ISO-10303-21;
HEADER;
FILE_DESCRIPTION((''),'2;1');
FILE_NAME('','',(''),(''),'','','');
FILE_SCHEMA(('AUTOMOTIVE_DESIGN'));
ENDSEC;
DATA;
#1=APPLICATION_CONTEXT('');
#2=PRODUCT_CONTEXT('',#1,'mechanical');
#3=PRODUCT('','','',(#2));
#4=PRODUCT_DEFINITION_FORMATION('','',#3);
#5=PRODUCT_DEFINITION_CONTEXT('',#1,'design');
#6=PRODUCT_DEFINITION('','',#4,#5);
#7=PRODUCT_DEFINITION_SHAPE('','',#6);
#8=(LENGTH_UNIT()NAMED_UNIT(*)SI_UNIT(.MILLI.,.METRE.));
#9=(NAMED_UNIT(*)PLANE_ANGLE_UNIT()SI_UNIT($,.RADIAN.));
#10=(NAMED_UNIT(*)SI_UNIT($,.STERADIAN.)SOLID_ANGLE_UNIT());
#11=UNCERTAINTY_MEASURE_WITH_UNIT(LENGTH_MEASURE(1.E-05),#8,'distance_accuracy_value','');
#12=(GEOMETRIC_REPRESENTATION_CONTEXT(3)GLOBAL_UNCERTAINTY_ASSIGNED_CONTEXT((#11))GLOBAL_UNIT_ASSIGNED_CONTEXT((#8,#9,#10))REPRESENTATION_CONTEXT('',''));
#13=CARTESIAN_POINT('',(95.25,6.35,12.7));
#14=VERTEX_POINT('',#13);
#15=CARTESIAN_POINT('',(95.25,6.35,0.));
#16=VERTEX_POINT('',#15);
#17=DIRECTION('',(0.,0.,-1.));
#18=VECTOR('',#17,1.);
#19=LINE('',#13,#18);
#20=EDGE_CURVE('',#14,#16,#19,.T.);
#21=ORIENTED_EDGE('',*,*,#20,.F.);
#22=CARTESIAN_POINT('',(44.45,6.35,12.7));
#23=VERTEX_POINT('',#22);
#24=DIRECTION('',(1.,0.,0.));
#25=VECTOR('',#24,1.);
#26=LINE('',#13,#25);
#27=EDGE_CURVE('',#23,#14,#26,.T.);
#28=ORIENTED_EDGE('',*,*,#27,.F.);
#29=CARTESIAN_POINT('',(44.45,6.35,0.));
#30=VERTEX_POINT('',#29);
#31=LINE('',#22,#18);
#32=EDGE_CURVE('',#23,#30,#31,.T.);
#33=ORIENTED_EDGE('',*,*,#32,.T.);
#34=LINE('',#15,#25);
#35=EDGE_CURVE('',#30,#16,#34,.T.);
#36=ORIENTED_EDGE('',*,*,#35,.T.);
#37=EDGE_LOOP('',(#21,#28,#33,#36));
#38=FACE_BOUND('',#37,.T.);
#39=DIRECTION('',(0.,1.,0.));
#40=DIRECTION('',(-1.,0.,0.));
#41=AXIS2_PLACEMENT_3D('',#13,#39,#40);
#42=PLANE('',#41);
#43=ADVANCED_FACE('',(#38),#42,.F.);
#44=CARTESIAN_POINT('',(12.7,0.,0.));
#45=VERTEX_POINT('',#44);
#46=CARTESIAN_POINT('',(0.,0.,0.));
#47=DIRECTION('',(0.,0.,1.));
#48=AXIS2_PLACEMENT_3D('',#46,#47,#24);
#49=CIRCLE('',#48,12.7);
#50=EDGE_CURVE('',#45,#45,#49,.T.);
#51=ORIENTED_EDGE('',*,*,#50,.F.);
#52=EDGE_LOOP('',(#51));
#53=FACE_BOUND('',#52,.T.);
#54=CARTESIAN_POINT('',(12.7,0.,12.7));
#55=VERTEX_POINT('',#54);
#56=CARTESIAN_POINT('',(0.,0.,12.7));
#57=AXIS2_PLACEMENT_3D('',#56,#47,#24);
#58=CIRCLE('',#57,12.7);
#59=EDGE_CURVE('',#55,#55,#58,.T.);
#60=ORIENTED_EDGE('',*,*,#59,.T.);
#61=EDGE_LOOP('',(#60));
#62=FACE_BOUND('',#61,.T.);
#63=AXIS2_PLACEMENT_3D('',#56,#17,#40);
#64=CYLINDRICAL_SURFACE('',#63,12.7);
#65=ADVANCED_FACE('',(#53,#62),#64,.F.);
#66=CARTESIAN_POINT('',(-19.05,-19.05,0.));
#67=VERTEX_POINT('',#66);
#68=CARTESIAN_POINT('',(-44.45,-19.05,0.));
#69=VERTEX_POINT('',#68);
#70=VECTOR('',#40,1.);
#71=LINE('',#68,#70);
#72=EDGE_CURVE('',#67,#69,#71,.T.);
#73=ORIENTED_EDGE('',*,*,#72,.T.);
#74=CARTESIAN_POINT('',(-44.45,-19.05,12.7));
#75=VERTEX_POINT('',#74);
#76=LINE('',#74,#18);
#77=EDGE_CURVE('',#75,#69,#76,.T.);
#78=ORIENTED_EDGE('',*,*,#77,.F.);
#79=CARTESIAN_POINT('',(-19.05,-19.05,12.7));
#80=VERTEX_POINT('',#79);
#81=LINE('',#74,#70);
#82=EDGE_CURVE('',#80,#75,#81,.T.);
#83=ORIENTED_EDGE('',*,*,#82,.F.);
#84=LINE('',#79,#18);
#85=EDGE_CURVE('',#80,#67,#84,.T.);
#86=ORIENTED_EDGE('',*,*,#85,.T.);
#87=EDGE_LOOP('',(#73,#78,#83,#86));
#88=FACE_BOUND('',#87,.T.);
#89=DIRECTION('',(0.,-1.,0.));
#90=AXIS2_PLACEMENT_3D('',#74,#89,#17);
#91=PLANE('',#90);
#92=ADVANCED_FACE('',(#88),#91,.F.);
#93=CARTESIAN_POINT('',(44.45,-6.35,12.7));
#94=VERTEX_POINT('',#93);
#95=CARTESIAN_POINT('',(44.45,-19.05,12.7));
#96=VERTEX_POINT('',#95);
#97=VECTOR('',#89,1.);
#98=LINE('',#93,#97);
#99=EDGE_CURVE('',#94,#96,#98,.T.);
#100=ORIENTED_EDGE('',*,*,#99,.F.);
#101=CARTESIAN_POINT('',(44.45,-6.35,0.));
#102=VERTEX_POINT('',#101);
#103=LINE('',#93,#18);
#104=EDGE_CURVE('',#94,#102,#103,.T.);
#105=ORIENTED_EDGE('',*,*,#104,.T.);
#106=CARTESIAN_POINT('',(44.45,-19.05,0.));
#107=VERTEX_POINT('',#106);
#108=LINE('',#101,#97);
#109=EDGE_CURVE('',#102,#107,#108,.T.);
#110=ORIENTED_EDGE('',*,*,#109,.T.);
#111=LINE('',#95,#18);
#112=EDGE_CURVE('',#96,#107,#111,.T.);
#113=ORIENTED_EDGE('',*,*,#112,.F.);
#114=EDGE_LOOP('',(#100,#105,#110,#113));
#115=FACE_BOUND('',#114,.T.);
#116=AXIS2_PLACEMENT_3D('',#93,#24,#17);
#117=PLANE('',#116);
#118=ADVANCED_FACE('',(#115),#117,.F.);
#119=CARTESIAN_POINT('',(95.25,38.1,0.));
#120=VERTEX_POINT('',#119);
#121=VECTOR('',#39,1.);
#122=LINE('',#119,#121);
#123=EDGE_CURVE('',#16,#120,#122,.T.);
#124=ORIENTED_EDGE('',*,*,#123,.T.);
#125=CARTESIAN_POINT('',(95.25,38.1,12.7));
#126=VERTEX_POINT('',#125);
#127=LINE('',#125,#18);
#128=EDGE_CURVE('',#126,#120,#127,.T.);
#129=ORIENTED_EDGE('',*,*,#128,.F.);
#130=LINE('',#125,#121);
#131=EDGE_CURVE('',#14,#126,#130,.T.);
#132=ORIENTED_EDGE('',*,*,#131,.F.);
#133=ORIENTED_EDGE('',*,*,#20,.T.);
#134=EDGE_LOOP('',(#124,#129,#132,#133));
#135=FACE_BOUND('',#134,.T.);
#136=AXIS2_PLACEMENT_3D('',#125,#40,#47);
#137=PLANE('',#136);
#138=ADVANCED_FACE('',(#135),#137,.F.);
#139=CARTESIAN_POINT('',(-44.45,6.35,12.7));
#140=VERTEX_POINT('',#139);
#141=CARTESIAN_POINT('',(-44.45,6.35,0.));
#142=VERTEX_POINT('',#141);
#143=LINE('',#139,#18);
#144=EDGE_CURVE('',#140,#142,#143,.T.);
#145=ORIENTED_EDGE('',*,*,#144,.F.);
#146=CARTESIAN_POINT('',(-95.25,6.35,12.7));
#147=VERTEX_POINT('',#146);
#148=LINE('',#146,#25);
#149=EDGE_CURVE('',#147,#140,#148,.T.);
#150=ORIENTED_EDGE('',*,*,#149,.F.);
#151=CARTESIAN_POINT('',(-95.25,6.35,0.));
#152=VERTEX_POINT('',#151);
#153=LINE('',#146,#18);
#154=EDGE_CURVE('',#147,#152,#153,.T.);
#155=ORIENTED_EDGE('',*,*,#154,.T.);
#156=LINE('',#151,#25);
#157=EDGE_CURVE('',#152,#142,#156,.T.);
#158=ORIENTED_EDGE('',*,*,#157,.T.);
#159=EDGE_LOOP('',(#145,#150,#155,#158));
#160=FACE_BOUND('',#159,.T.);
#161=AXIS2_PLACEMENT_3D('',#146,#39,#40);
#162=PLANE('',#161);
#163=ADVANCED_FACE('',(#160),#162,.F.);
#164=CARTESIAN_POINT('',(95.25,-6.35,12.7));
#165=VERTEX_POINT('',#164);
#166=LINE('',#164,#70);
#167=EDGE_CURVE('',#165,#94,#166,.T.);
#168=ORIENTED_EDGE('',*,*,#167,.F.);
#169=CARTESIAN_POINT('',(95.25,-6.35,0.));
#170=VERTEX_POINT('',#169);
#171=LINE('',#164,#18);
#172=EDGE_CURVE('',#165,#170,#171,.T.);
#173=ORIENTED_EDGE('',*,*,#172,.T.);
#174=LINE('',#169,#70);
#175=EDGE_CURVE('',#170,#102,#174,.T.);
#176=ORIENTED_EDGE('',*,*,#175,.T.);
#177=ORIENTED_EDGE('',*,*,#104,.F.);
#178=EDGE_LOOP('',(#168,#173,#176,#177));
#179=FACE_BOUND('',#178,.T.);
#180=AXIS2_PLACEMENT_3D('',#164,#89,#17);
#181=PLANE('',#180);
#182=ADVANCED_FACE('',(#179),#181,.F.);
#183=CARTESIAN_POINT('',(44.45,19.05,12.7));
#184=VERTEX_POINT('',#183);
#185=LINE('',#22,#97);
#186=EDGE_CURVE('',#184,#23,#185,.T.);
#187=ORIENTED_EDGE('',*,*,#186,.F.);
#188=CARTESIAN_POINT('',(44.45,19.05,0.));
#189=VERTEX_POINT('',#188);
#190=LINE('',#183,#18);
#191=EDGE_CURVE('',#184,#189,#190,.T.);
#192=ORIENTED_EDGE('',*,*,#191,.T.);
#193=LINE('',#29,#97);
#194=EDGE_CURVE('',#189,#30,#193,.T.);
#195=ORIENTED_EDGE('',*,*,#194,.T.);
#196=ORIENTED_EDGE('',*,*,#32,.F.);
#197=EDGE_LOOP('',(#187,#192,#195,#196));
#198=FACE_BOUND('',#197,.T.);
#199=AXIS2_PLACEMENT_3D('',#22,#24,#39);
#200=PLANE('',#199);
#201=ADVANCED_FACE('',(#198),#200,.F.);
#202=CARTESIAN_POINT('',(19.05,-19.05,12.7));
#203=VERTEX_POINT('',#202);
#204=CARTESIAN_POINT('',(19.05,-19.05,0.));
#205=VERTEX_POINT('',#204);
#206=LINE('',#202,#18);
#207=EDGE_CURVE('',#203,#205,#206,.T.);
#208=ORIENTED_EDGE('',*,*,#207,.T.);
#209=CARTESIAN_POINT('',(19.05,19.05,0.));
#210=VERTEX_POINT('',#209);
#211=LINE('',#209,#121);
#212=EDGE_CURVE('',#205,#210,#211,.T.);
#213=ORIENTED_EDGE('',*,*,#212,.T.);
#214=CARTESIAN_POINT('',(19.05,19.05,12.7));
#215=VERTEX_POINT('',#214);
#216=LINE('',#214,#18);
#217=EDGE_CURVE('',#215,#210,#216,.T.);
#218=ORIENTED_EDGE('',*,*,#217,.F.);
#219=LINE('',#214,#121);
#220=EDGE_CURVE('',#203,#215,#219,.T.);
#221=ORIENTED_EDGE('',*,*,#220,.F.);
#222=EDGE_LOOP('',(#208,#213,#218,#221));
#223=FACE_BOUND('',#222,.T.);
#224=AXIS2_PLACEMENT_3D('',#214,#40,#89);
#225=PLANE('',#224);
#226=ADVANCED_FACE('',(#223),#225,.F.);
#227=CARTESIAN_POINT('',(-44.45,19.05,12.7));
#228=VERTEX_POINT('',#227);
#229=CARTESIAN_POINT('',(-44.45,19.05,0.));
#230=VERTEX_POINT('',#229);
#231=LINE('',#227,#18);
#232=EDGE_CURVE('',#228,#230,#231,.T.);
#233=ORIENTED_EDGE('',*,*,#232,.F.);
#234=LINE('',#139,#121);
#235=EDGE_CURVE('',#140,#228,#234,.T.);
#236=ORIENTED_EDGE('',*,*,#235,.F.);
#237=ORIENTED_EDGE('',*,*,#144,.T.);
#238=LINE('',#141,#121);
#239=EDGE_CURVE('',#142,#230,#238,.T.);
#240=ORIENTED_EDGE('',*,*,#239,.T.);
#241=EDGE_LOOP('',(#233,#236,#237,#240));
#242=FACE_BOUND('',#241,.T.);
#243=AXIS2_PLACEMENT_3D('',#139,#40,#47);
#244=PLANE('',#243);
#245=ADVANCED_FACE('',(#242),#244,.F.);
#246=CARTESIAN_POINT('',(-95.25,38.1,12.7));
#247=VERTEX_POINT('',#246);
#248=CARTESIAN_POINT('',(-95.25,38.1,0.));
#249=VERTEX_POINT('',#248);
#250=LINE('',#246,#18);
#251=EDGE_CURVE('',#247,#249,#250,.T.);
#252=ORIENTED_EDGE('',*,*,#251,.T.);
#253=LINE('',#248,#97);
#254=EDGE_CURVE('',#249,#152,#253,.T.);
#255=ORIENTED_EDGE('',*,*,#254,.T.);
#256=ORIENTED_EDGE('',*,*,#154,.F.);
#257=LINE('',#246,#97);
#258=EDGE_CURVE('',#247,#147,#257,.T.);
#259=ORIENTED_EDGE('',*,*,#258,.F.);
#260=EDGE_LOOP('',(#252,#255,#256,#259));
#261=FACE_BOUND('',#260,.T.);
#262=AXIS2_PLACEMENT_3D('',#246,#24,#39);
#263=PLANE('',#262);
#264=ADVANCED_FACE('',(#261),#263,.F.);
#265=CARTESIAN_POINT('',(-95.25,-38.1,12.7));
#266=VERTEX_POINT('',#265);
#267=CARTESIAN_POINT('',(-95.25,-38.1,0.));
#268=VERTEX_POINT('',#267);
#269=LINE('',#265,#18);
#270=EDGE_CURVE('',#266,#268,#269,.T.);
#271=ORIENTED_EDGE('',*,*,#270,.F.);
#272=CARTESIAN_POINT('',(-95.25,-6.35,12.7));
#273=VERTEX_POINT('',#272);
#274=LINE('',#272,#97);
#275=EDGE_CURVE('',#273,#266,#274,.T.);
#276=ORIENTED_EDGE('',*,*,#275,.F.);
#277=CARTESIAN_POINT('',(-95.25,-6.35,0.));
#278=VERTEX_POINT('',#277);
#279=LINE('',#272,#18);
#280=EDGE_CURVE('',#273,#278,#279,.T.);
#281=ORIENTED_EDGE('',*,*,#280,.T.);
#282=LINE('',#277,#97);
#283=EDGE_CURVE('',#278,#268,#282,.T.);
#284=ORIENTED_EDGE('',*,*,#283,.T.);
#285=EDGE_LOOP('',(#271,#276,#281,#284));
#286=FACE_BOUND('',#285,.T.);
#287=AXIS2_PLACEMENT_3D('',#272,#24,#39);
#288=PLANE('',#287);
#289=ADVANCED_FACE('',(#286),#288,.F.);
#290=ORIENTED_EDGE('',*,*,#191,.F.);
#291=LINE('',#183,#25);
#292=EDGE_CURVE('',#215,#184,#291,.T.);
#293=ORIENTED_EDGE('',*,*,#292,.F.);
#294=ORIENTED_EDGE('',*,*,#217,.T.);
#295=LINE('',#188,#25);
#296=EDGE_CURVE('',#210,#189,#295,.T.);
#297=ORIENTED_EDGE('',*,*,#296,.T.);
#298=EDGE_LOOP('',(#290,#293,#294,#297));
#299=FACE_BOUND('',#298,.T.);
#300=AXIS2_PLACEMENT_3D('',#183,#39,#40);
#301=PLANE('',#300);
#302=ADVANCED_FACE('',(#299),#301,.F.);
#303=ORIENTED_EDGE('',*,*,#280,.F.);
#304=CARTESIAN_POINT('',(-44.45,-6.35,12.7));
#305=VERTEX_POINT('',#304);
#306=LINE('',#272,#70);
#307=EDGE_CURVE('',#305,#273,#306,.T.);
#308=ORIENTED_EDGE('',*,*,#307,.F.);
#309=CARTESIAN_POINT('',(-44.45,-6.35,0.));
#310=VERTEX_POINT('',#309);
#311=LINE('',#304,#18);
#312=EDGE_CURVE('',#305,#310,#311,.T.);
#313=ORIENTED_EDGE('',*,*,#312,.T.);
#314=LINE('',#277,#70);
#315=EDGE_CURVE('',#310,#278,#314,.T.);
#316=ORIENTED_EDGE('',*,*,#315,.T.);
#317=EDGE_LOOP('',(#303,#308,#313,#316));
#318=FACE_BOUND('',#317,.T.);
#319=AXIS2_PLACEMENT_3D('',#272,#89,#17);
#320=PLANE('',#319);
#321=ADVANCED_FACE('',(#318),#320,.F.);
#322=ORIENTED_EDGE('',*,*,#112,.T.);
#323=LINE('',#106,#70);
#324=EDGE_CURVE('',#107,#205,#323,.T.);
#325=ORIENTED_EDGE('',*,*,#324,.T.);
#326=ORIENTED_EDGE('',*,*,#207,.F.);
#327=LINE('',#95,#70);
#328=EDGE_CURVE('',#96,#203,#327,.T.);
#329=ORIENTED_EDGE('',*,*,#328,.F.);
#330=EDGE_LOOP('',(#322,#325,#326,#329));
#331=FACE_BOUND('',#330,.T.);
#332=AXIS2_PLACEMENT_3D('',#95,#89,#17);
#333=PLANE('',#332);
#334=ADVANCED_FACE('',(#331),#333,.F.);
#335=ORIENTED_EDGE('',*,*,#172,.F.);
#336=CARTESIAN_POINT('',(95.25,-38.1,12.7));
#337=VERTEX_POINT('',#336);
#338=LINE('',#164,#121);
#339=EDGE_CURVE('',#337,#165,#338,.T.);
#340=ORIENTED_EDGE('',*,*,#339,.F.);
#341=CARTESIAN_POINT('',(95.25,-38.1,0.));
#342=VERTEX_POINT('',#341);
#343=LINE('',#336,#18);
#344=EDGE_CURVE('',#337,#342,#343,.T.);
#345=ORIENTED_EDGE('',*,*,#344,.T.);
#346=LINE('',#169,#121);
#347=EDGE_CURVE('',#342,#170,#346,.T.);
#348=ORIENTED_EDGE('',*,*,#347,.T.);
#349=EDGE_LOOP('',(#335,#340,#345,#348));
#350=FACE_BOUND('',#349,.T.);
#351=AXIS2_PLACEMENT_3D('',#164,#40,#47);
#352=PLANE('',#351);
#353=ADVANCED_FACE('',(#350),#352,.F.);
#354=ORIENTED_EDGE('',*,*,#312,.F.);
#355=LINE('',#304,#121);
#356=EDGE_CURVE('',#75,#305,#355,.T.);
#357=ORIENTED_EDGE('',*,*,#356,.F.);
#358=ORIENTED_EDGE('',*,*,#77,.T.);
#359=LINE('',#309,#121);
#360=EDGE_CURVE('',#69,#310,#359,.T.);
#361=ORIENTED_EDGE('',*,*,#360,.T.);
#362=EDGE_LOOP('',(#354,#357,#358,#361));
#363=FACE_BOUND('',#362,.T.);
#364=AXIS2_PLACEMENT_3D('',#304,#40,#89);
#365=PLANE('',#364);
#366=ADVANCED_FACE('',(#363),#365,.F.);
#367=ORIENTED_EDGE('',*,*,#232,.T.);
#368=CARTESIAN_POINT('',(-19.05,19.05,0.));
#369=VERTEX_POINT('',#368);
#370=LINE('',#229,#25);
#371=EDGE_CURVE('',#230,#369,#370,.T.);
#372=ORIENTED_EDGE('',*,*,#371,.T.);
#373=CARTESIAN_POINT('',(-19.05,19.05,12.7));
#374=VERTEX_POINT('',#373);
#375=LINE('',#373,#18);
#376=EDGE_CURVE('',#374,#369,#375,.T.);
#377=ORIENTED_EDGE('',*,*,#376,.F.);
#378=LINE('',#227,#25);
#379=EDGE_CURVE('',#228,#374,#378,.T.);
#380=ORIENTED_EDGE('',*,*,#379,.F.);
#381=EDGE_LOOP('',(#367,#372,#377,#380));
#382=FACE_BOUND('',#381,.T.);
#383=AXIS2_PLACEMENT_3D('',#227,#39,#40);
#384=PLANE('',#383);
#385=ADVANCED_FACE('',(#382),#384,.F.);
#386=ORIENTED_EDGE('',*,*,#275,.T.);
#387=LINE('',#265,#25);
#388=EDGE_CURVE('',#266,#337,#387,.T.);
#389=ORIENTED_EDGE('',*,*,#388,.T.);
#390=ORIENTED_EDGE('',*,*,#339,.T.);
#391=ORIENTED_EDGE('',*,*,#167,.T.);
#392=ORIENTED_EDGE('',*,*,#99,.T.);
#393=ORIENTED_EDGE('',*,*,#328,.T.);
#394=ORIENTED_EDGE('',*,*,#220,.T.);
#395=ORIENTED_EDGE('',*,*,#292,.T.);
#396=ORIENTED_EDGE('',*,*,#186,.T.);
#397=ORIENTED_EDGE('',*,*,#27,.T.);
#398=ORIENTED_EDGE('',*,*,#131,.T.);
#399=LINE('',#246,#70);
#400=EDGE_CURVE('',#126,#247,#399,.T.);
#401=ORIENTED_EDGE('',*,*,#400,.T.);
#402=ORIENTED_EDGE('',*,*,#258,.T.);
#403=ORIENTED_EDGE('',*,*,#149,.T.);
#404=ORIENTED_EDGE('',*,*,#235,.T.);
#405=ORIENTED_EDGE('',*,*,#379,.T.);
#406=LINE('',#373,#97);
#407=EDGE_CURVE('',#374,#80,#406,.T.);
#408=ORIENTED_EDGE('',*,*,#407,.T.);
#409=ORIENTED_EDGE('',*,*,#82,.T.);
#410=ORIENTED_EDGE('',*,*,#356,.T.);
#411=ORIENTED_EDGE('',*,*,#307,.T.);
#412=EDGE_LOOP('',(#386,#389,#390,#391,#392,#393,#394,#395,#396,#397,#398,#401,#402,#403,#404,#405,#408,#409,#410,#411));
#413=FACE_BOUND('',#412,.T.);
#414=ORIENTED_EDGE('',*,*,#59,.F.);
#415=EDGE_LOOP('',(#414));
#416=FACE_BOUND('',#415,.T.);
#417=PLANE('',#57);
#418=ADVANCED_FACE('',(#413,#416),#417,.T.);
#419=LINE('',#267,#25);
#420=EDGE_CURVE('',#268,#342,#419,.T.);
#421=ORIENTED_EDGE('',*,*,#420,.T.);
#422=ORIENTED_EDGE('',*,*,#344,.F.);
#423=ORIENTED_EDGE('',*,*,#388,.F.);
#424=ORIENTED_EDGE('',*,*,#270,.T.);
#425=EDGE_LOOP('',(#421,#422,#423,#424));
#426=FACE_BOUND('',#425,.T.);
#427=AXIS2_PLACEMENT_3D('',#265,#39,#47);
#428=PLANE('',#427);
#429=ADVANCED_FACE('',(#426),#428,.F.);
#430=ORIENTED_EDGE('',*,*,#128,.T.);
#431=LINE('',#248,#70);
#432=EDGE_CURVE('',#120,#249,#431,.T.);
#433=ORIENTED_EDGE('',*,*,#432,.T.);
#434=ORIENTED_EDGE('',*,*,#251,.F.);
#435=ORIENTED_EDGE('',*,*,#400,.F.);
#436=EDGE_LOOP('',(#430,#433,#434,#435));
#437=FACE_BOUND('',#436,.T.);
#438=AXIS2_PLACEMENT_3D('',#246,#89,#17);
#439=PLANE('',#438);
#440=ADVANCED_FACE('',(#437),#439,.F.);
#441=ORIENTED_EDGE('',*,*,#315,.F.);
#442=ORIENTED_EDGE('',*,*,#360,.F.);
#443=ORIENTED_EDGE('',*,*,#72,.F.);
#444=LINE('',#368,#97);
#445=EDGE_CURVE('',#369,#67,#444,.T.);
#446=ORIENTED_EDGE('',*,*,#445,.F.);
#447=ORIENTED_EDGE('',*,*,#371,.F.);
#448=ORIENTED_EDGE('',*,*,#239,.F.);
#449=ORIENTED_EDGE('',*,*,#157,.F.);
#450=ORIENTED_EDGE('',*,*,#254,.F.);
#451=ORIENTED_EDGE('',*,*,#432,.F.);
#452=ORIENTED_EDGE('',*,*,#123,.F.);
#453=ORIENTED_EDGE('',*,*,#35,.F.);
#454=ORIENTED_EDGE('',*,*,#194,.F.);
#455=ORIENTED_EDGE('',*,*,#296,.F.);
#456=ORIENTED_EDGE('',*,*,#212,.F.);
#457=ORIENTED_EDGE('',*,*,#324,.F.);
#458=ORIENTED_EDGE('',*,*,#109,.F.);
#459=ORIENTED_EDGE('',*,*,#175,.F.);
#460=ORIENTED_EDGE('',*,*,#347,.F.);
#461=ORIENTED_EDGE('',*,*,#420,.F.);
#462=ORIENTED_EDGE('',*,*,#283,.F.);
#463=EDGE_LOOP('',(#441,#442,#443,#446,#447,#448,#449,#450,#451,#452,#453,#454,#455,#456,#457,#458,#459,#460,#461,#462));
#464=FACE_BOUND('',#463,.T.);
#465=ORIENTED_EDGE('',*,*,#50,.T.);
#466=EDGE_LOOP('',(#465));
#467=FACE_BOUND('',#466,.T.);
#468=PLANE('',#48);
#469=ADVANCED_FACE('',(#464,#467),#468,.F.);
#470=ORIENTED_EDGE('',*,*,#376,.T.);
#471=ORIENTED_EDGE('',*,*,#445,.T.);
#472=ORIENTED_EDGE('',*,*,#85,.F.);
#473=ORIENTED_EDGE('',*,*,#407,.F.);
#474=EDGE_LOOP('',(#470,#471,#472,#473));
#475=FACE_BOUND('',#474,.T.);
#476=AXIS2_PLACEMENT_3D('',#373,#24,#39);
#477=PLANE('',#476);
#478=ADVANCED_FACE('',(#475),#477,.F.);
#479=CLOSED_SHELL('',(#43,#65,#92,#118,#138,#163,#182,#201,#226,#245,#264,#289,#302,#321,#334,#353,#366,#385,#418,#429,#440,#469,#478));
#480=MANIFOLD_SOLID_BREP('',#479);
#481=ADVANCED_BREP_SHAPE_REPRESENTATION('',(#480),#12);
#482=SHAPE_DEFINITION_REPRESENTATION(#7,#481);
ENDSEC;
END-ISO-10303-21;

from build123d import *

# Parameters (mm, degrees)
SKETCH1_R           = 12.7
BOSS_EXTRUDE1_DEPTH = 12.7


with BuildPart() as part:
    # Sketch1 → Boss-Extrude1 (new body)
    with BuildSketch(Plane.XY):
        Polygon((-95.25, 38.1), (95.25, 38.1), (95.25, 6.35), (44.45, 6.35), (44.45, 19.05), (19.05, 19.05), (19.05, -19.05), (44.45, -19.05), (44.45, -6.35), (95.25, -6.35), (95.25, -38.1), (-95.25, -38.1), (-95.25, -6.35), (-44.45, -6.35), (-44.45, -19.05), (-19.05, -19.05), (-19.05, 19.05), (-44.45, 19.05), (-44.45, 6.35), (-95.25, 6.35), align=None)
        Circle(SKETCH1_R, mode=Mode.SUBTRACT)
    extrude(amount=BOSS_EXTRUDE1_DEPTH)


solid = part.part
